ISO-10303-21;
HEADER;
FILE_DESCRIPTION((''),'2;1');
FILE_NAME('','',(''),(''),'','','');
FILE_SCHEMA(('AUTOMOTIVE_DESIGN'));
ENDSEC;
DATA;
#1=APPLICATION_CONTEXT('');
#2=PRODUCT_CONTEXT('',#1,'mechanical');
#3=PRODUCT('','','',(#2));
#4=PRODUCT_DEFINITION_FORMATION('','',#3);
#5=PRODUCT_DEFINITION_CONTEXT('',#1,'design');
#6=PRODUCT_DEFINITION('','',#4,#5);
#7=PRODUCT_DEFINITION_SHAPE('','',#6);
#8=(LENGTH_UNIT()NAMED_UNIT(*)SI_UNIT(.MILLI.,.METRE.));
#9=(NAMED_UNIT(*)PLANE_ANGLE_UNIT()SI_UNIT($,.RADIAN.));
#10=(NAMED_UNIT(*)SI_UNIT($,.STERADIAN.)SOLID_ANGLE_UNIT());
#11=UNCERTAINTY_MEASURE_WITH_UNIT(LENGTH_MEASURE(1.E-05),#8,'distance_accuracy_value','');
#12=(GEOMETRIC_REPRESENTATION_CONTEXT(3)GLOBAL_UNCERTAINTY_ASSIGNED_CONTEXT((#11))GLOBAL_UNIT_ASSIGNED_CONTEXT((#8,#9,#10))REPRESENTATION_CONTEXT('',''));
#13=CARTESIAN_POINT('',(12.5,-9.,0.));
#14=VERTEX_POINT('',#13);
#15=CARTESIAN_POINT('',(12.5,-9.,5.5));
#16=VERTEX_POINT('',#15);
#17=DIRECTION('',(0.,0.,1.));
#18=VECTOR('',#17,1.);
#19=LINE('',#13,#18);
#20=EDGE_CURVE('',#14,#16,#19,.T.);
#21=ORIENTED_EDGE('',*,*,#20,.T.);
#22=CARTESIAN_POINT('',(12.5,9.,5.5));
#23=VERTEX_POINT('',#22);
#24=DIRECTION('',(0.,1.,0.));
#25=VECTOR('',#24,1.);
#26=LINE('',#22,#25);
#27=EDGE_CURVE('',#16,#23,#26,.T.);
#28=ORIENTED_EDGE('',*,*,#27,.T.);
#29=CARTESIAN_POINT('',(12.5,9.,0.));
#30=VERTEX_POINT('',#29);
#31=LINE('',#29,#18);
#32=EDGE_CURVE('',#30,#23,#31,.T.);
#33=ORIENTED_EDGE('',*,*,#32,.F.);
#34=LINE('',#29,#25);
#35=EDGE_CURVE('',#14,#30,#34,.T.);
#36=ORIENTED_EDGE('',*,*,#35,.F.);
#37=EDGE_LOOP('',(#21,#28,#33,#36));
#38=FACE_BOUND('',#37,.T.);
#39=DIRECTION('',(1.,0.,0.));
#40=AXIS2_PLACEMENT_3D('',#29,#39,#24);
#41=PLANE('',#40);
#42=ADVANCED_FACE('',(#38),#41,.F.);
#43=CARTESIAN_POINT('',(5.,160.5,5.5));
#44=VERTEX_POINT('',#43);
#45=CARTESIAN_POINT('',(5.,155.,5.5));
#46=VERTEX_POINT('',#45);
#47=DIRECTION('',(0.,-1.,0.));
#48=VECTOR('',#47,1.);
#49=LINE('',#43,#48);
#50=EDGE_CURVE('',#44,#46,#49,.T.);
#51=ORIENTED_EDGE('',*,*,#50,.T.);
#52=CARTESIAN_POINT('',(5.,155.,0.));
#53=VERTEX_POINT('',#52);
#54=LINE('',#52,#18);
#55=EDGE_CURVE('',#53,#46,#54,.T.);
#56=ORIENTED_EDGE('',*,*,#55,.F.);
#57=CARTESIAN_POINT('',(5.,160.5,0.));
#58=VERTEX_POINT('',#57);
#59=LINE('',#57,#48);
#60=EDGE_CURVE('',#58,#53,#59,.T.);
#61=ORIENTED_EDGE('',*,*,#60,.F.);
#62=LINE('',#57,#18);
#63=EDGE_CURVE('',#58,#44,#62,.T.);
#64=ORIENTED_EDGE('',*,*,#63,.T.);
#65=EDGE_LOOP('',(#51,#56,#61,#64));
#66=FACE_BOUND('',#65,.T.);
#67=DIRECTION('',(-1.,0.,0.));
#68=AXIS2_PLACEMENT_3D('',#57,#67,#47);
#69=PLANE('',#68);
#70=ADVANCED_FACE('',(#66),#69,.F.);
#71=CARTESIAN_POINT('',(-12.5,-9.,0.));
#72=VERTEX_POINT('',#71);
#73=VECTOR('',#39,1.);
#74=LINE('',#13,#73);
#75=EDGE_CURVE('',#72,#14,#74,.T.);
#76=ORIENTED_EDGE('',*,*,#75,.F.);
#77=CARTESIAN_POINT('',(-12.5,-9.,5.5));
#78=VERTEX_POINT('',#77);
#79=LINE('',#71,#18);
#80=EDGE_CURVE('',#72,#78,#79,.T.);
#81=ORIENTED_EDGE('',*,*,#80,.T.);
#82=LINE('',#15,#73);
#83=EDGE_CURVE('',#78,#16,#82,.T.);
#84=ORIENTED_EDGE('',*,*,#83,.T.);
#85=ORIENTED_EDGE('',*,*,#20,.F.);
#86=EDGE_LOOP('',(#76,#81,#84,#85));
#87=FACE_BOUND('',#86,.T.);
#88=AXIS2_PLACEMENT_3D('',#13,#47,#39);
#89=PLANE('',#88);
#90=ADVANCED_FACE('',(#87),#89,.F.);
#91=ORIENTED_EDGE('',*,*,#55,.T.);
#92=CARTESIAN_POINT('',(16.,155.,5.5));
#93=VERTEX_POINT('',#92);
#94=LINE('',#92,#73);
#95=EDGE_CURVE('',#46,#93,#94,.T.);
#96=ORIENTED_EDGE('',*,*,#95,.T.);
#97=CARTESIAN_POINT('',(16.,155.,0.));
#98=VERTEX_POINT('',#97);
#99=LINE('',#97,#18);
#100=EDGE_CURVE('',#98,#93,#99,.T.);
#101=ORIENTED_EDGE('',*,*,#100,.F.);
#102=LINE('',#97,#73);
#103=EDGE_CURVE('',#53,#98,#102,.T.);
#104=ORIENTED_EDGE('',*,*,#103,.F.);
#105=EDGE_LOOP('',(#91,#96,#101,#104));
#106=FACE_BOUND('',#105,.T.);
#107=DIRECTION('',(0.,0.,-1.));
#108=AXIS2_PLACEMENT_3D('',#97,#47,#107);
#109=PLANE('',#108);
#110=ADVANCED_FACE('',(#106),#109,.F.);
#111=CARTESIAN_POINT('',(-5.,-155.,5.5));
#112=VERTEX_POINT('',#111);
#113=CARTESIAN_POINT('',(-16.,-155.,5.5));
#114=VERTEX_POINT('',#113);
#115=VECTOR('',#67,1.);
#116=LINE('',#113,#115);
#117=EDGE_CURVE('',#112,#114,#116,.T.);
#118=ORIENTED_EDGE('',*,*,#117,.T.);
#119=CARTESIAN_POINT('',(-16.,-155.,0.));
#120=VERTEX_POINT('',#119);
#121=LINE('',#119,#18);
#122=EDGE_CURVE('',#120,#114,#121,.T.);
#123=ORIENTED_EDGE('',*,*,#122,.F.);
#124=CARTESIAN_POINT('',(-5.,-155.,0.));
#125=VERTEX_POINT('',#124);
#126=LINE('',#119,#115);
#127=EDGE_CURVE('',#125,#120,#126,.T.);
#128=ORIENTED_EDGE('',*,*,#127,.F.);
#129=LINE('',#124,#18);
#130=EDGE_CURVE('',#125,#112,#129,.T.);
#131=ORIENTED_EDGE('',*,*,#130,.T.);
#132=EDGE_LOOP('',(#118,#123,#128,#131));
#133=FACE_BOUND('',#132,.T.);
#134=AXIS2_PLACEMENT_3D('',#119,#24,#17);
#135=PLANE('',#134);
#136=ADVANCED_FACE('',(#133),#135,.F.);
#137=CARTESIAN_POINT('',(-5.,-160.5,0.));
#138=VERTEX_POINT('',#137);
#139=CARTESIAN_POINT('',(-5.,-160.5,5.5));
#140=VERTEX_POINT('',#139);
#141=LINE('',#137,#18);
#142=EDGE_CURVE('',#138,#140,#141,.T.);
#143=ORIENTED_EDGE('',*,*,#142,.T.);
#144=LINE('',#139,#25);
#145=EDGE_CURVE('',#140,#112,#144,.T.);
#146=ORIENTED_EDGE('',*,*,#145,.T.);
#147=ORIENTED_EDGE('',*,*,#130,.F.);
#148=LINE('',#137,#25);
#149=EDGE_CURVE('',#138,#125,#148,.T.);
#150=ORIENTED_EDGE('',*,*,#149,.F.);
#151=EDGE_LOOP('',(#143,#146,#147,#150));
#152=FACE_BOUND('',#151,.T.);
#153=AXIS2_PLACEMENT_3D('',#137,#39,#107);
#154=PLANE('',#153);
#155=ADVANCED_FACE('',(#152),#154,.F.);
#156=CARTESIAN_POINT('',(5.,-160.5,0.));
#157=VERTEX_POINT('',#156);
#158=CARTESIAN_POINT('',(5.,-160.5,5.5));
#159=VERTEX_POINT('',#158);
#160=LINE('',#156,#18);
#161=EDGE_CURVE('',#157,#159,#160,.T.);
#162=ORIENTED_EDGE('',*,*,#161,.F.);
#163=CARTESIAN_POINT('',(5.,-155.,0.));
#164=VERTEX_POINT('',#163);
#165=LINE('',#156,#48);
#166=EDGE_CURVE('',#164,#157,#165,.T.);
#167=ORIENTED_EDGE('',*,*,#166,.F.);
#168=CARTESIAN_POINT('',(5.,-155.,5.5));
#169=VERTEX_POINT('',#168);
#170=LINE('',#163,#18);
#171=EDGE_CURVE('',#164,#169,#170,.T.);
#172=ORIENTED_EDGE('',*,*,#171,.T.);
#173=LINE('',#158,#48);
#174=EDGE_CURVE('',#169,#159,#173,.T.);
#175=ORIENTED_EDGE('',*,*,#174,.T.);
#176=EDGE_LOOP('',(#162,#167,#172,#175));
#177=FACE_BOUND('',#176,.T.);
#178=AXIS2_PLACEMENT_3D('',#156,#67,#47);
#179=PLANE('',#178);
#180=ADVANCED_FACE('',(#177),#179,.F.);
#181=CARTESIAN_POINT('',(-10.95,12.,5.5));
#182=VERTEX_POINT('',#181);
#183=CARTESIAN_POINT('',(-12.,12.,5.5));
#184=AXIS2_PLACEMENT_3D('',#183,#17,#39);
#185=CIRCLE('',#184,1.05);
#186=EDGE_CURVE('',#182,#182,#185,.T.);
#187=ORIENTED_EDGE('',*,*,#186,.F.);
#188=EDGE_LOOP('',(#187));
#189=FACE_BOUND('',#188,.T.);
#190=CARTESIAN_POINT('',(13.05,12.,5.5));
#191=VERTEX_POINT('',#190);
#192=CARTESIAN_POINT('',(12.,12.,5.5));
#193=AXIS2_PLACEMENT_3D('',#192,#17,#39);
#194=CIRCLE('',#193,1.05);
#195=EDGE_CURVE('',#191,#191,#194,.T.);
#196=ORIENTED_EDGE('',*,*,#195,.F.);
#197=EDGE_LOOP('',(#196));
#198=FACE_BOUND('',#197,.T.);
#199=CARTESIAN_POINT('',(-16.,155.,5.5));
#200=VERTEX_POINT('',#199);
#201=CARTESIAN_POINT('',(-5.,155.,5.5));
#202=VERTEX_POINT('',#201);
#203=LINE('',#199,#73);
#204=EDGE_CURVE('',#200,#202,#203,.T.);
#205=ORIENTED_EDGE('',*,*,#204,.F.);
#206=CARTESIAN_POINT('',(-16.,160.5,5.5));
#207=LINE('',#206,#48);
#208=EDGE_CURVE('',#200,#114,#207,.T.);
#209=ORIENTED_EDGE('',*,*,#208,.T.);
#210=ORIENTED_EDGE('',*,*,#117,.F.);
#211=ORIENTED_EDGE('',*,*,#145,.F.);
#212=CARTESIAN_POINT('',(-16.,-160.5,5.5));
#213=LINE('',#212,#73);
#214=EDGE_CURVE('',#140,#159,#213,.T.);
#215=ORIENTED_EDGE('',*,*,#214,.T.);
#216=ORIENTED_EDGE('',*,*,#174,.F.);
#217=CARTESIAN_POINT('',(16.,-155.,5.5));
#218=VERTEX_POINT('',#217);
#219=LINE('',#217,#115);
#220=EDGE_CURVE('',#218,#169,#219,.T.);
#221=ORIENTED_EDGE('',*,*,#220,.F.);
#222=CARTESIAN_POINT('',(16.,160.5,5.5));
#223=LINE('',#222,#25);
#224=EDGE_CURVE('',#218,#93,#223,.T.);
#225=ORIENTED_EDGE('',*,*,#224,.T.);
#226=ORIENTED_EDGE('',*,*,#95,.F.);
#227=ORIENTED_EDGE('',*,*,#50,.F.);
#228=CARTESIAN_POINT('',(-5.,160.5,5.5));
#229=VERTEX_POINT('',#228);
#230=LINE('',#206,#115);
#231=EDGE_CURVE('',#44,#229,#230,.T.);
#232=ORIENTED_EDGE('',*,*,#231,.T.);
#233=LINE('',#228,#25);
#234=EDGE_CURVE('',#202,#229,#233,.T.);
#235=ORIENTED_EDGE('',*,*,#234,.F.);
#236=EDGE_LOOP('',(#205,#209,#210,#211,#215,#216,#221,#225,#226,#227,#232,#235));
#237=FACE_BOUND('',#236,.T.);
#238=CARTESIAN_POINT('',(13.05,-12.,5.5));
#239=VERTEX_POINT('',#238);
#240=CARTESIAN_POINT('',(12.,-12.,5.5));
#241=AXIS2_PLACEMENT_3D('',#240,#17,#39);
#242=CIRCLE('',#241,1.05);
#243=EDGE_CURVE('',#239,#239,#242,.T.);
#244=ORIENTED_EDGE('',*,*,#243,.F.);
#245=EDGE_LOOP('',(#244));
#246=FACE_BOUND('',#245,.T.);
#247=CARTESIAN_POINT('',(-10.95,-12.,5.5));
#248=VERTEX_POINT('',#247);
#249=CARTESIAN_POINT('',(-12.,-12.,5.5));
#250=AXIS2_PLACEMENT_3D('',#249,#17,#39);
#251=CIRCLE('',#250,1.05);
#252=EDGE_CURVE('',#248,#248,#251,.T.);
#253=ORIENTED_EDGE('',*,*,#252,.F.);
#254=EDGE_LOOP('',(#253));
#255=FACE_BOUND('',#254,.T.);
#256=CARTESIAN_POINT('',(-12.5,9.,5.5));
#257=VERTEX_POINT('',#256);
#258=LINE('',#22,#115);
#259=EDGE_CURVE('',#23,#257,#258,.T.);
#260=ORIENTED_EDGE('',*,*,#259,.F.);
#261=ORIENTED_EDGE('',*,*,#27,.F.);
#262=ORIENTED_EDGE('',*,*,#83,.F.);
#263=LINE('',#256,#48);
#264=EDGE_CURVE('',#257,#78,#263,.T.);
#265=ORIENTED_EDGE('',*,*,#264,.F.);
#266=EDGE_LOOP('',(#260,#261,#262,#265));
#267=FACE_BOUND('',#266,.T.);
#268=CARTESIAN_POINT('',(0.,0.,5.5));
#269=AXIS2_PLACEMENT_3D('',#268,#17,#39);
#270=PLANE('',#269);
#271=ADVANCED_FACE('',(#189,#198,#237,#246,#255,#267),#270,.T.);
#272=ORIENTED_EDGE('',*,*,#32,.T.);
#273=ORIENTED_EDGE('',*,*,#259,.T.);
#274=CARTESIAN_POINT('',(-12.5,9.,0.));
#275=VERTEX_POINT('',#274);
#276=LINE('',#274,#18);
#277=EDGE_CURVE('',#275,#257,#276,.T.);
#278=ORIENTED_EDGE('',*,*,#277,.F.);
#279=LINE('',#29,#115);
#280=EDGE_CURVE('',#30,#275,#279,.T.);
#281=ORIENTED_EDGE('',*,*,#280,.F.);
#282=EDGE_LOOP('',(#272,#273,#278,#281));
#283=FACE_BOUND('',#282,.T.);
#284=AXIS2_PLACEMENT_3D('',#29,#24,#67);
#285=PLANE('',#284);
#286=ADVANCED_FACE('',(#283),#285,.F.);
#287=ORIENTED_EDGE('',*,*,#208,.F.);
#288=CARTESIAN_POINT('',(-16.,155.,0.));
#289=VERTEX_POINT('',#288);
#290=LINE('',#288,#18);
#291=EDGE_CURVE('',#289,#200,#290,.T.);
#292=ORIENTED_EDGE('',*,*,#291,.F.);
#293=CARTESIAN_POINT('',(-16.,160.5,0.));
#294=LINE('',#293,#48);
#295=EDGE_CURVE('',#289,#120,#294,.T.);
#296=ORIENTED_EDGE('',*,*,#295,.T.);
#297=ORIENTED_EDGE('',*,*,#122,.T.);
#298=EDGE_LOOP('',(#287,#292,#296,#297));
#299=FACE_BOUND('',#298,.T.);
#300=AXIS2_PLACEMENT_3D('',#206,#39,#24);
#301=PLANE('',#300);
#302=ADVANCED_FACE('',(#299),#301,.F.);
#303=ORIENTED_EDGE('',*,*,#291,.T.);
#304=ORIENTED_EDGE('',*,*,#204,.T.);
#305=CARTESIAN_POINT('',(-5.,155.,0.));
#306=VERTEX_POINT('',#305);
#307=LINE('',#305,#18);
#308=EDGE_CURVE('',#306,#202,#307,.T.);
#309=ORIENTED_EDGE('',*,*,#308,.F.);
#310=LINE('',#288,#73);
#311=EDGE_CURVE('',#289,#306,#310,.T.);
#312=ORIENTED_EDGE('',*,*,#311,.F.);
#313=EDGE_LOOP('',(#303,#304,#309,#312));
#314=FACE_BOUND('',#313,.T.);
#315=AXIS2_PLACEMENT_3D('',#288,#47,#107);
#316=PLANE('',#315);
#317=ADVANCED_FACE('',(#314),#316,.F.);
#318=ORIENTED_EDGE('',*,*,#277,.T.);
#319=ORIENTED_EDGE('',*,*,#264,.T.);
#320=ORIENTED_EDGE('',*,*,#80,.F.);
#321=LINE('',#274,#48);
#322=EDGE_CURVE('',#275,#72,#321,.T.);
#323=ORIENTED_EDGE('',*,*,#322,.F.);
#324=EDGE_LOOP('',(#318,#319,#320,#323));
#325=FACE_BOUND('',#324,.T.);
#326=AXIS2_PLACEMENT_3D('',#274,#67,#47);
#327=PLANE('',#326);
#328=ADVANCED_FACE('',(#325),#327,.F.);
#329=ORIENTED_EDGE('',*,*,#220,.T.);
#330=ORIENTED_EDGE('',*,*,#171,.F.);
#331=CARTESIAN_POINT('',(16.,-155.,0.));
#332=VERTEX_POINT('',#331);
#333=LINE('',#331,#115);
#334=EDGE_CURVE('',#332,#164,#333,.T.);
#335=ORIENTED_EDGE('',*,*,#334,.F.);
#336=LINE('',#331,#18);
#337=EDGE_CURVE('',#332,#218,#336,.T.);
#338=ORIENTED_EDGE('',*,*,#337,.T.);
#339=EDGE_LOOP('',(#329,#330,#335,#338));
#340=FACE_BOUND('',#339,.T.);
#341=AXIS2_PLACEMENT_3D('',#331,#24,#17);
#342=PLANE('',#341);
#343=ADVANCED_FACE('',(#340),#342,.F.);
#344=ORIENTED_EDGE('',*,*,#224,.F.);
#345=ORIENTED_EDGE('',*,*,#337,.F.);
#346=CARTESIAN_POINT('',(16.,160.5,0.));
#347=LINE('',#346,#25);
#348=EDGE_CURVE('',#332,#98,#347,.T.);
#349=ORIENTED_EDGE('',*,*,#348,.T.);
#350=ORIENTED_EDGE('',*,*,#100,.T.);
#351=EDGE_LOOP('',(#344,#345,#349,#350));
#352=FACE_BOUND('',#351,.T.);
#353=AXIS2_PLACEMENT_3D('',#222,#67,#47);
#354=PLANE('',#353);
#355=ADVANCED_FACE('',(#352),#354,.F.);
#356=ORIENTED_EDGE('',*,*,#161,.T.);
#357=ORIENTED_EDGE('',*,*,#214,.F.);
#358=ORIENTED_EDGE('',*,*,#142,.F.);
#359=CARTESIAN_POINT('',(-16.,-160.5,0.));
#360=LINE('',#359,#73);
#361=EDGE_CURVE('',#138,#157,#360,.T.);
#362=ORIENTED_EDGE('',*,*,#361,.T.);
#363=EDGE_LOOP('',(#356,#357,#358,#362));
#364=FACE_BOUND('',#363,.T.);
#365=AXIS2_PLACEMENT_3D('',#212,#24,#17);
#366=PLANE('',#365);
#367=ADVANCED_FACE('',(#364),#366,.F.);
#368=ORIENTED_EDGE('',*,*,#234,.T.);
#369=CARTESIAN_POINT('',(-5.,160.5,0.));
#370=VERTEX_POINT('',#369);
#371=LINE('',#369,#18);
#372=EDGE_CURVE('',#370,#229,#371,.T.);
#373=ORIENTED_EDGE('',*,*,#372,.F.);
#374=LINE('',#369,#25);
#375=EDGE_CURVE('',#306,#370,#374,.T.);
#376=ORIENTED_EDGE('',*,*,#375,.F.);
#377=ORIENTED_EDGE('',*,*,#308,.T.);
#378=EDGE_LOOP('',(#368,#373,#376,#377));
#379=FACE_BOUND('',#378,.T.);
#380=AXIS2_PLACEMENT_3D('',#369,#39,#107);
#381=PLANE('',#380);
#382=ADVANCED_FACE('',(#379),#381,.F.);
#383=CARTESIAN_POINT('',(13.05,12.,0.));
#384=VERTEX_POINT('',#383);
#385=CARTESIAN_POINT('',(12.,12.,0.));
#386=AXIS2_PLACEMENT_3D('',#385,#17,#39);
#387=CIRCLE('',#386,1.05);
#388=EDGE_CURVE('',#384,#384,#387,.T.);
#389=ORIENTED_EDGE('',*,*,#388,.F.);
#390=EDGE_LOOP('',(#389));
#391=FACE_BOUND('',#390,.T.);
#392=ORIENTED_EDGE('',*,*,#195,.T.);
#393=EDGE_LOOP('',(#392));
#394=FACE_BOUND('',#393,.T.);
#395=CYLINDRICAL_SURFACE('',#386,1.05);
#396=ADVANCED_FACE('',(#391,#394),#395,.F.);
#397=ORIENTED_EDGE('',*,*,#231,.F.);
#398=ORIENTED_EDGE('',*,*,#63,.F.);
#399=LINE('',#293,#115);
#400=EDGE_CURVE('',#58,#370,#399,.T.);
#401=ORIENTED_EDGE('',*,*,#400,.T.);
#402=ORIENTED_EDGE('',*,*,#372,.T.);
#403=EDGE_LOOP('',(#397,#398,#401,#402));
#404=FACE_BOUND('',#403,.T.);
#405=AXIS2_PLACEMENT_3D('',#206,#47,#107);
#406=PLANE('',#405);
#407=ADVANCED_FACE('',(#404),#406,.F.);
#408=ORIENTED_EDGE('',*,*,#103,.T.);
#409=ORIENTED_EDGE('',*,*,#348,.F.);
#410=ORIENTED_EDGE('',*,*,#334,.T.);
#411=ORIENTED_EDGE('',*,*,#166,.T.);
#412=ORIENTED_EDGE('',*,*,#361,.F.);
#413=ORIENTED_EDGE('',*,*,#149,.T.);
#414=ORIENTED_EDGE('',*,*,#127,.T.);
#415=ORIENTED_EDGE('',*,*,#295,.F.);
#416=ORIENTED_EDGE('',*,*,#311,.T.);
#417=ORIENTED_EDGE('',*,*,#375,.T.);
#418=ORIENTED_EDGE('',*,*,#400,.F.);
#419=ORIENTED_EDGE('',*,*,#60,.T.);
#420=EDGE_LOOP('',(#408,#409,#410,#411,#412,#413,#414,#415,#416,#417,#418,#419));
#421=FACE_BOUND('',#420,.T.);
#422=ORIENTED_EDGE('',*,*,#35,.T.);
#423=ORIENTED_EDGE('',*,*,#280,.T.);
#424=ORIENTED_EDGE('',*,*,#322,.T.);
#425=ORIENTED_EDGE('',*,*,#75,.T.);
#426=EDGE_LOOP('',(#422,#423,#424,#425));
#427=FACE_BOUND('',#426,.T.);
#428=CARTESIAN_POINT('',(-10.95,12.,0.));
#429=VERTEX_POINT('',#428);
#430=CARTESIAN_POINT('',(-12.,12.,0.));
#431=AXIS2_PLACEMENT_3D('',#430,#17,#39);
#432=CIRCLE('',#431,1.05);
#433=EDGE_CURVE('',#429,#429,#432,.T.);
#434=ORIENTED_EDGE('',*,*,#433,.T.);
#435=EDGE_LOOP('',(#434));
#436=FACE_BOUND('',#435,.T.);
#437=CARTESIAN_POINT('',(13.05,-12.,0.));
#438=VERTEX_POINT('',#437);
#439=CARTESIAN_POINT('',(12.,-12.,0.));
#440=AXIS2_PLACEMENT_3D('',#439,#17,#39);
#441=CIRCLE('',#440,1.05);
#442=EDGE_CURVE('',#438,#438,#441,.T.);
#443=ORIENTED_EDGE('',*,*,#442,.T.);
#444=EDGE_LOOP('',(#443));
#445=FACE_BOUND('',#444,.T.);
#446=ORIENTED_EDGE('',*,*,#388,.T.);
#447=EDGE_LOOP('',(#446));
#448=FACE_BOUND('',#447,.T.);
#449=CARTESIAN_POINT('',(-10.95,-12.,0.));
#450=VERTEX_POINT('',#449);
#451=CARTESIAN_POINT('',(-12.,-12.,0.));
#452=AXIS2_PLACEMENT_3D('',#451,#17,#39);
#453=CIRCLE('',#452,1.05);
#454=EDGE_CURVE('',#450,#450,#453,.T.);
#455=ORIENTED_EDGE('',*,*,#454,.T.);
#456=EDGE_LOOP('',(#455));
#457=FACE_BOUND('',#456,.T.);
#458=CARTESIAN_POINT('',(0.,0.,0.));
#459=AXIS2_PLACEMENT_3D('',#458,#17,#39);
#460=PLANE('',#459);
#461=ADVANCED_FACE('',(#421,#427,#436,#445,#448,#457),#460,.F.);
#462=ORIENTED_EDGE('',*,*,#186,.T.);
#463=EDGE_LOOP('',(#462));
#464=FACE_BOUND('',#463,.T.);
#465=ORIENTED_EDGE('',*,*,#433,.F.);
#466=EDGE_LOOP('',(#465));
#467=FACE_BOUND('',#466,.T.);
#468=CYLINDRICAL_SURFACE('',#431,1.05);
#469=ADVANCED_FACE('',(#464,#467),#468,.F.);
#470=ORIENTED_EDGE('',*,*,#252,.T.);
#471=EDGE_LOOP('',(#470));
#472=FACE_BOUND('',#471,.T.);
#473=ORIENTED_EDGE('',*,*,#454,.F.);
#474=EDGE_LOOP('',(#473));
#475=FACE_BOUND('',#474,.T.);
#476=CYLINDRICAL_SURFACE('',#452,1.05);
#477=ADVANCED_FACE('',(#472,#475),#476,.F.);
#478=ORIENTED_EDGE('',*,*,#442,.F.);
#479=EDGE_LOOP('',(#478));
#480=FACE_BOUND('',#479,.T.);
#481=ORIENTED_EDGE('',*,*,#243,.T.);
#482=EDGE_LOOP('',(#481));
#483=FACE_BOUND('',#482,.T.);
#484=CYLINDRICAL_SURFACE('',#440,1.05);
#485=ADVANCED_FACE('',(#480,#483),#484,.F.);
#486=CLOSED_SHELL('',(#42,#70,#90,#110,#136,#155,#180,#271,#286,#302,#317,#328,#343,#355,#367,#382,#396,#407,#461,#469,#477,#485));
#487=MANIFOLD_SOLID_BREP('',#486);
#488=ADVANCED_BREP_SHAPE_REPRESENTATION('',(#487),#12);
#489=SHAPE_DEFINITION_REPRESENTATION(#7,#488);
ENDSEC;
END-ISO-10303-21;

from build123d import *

# Parameters (mm, degrees)
SKETCH_1_W          = 32
SKETCH_1_H          = 321
EXTRUDE_1_DEPTH     = 5.5
SKETCH_2_R          = 1.05
SKETCH_2_W          = 25
SKETCH_2_H          = 18
CUT_EXTRUDE_1_DEPTH = 162.389280933
SKETCH_3_W          = 11
SKETCH_3_H          = 5.5
CUT_EXTRUDE_2_DEPTH = 162.389280933


with BuildPart() as part:
    # ｽｹｯﾁ1 → ﾎﾞｽ - 押し出し1 (new body)
    with BuildSketch(Plane.XY):
        Rectangle(SKETCH_1_W, SKETCH_1_H)
    extrude(amount=EXTRUDE_1_DEPTH)

    # ｽｹｯﾁ2 → ｶｯﾄ - 押し出し1 (cut, through all)
    with BuildSketch(Plane.XY.offset(5.5)):
        with Locations((12, 12)):
            Circle(SKETCH_2_R)
        with Locations((12, -12)):
            Circle(SKETCH_2_R)
        with Locations((-12, 12)):
            Circle(SKETCH_2_R)
        with Locations((-12, -12)):
            Circle(SKETCH_2_R)
        Rectangle(SKETCH_2_W, SKETCH_2_H)
    extrude(amount=-CUT_EXTRUDE_1_DEPTH, mode=Mode.SUBTRACT)

    # ｽｹｯﾁ3 → ｶｯﾄ - 押し出し2 (cut, through all)
    with BuildSketch(Plane.XY.offset(5.5)):
        with Locations((-10.5, 157.75)):
            Rectangle(SKETCH_3_W, SKETCH_3_H)
        with Locations((10.5, 157.75)):
            Rectangle(SKETCH_3_W, SKETCH_3_H)
        with Locations((10.5, -157.75)):
            Rectangle(SKETCH_3_W, SKETCH_3_H)
        with Locations((-10.5, -157.75)):
            Rectangle(SKETCH_3_W, SKETCH_3_H)
    extrude(amount=-CUT_EXTRUDE_2_DEPTH, mode=Mode.SUBTRACT)


solid = part.part
